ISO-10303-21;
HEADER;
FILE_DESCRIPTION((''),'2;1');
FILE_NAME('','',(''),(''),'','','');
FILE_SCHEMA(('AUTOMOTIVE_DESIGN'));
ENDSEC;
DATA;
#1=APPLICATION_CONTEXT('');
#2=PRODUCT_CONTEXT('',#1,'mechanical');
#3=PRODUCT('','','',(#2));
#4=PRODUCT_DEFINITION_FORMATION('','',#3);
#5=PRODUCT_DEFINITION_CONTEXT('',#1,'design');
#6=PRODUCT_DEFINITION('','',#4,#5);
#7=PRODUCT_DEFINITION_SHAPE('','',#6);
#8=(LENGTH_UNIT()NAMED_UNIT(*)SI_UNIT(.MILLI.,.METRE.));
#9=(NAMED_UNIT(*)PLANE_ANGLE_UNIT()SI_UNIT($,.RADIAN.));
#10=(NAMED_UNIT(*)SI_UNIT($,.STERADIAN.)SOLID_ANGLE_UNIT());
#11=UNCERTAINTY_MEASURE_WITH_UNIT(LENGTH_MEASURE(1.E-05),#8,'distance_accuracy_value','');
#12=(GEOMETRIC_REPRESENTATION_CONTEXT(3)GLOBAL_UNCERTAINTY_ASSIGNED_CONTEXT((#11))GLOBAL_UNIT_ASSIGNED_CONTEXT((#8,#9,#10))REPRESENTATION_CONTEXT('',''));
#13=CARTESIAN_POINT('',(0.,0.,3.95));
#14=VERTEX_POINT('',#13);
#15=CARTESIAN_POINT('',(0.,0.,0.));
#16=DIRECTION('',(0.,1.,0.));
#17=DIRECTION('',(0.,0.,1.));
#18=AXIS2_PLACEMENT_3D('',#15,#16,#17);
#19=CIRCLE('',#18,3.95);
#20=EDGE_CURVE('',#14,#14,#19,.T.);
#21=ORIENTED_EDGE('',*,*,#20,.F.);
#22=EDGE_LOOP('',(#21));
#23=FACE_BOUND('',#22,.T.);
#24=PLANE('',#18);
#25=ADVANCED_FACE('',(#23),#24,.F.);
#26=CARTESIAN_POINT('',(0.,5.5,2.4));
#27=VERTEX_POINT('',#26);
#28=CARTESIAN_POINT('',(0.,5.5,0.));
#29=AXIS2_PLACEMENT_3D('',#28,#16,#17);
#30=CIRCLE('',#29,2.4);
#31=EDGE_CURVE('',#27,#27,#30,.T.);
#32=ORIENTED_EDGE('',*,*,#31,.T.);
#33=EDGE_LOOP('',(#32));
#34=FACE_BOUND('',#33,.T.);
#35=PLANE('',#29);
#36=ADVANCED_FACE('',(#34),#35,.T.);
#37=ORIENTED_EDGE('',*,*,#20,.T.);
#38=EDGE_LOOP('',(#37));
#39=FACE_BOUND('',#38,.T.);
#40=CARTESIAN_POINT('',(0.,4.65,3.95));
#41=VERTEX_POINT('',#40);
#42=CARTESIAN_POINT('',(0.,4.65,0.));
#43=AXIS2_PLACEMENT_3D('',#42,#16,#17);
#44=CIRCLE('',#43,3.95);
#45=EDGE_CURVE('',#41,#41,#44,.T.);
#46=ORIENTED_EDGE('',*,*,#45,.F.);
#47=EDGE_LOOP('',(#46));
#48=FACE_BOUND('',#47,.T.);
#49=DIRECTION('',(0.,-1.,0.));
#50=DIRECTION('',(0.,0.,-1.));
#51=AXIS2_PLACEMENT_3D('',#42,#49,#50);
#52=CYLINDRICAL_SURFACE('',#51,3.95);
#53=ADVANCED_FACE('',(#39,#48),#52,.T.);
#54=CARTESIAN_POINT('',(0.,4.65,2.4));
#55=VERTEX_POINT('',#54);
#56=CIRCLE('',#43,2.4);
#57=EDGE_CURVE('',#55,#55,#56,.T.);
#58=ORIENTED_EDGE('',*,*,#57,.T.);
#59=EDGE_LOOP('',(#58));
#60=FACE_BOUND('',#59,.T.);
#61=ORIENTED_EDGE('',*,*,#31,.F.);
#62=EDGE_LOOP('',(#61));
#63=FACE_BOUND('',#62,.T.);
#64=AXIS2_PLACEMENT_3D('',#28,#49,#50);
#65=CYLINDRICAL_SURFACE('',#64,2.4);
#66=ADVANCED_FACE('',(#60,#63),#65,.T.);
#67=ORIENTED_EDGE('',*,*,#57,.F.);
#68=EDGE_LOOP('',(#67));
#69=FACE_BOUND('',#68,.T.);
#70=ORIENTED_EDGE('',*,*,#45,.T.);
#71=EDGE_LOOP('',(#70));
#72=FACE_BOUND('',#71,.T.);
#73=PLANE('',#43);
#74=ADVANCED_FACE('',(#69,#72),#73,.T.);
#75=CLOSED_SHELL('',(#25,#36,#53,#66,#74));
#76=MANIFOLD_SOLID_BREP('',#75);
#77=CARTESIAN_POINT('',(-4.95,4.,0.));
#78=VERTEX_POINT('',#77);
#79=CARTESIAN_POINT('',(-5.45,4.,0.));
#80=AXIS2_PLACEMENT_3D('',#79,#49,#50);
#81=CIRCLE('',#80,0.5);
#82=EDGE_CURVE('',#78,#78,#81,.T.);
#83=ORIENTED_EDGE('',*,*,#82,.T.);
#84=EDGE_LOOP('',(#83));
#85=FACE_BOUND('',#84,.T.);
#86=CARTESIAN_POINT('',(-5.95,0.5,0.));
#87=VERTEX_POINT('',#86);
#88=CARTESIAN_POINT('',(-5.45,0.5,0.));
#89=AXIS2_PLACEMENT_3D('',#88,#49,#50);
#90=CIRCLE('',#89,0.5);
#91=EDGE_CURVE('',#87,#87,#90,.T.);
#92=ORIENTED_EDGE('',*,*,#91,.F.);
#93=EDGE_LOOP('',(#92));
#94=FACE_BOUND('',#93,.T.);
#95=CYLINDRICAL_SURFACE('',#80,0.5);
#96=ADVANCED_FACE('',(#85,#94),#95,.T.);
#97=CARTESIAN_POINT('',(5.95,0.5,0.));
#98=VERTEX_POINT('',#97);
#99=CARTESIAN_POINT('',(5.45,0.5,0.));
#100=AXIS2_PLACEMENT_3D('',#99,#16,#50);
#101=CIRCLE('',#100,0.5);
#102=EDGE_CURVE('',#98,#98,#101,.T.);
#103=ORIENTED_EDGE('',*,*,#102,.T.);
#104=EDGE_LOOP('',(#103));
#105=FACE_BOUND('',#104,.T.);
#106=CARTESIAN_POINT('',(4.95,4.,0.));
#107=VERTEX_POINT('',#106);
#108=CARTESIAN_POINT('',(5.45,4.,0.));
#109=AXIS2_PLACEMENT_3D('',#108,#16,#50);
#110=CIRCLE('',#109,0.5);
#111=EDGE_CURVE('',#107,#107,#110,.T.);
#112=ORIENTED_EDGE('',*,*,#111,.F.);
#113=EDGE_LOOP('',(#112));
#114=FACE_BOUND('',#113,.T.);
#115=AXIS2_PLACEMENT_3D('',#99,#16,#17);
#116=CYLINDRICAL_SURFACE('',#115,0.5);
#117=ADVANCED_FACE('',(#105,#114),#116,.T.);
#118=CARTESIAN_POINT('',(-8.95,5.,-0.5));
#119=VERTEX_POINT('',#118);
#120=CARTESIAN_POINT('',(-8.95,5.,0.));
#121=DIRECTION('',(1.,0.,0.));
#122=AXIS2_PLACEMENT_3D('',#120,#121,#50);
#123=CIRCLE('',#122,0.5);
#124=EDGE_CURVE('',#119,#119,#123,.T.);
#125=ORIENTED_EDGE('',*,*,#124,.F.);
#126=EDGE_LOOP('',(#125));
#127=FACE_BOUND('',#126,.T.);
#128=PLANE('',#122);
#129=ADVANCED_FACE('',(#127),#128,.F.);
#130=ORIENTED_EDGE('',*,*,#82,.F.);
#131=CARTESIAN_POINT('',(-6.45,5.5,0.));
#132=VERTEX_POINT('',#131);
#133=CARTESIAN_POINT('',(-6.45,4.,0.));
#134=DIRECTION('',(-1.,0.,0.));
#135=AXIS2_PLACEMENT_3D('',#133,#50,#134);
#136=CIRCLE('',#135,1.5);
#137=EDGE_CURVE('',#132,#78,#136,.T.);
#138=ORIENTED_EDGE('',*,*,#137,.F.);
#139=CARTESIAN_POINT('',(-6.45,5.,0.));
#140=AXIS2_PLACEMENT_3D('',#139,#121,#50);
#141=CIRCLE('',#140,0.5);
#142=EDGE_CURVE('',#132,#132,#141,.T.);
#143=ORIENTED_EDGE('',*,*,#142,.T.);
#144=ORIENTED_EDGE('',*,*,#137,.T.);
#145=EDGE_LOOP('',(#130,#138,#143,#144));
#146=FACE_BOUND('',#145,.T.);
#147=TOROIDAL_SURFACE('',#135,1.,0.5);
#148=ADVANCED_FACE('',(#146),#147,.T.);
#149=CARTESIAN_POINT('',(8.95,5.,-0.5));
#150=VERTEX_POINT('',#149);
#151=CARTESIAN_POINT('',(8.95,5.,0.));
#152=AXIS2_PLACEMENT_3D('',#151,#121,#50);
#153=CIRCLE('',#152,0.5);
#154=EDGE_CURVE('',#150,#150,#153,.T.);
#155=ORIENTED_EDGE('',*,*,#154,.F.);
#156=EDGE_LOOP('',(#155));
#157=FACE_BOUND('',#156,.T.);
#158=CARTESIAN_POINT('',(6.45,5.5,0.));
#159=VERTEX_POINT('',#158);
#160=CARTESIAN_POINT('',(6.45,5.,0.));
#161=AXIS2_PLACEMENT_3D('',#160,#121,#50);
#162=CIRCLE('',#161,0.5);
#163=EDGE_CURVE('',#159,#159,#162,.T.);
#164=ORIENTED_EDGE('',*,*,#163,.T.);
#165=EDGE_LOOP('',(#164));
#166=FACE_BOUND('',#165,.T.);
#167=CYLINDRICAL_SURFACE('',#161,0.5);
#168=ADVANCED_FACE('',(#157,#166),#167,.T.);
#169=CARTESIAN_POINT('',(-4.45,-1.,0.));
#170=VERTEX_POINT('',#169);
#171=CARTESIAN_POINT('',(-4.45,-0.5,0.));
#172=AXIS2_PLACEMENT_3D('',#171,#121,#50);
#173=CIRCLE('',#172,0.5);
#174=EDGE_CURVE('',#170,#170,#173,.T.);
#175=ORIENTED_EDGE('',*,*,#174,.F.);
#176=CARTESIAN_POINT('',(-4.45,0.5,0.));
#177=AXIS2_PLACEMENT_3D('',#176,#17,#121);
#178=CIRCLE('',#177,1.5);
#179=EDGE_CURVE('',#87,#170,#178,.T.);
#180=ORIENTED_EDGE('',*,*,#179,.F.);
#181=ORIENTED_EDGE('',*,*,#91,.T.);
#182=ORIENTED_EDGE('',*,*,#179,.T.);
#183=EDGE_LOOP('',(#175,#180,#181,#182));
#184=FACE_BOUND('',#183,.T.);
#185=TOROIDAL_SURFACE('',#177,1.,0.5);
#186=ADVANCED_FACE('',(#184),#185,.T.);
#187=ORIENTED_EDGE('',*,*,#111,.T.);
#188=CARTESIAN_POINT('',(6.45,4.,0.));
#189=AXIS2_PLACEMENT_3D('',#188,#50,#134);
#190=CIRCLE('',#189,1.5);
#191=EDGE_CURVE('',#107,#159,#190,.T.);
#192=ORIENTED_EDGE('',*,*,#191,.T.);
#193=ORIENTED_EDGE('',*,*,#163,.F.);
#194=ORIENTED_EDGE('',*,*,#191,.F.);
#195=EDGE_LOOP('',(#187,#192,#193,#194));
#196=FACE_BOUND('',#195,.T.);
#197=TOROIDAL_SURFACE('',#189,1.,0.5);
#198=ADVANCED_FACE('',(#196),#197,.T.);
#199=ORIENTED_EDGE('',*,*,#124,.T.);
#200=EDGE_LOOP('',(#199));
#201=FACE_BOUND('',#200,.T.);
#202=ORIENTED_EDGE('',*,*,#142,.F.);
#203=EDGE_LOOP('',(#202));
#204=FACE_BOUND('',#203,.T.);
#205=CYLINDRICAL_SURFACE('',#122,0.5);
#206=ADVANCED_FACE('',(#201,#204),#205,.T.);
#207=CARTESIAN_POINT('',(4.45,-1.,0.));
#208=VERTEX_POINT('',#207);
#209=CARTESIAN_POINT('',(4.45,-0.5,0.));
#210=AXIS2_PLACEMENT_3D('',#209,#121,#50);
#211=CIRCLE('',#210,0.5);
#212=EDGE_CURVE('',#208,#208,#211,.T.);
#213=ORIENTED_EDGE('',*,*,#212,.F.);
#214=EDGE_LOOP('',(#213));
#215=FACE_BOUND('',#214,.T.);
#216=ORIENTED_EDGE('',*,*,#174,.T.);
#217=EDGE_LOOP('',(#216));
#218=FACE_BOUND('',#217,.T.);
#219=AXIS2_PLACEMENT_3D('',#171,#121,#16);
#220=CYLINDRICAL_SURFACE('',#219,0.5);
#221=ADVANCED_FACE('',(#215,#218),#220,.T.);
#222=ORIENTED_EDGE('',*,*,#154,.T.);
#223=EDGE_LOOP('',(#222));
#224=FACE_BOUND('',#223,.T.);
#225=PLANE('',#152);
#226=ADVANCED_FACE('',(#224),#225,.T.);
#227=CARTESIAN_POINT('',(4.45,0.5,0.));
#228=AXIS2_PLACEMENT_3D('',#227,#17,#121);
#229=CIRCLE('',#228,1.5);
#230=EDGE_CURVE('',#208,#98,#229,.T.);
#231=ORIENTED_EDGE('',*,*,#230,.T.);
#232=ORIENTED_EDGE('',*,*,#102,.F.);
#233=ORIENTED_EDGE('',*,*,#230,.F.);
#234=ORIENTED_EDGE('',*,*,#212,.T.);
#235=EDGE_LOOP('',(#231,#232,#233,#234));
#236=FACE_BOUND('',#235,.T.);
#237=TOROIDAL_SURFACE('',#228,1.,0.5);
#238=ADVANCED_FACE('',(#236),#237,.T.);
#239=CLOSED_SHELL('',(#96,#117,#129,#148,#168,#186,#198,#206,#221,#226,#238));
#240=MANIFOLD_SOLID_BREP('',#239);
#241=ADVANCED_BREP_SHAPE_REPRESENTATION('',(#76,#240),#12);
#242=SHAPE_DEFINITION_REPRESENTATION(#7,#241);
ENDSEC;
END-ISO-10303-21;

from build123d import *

# Parameters (mm, degrees)
SKETCH_1_R      = 3.95
SKETCH_1_R_2    = 2.4
EXTRUDE_1_DEPTH = 4.65
EXTRUDE_START   = 4.65
SKETCH_1_3_R    = 2.4
EXTRUDE_2_DEPTH = 0.85
SKETCH_3_R      = 0.5


with BuildPart() as part:
    # Эскиз1 → Бобышка-Вытянуть1 (new body)
    # profile 1 of 2: a face of its own
    with BuildSketch(Plane(origin=(0, 0, 0), x_dir=(1, 0, 0), z_dir=(0, 1, 0))):
        with Locations(Location((0, 0, 0), (0, 0, 270))):
            Circle(SKETCH_1_R)
        Circle(SKETCH_1_R_2, mode=Mode.SUBTRACT)
    # profile 2 of 2: a face of its own
    with BuildSketch(Plane(origin=(0, 0, 0), x_dir=(1, 0, 0), z_dir=(0, 1, 0))):
        Circle(SKETCH_1_R_2)
    extrude(amount=EXTRUDE_1_DEPTH)

    # Эскиз1<3> → Бобышка-Вытянуть2 (add)
    with BuildSketch(Plane(origin=(0, 0, 0), x_dir=(1, 0, 0), z_dir=(0, 1, 0)).offset(EXTRUDE_START)):
        with Locations(Location((0, 0, 0), (0, 0, 270))):
            Circle(SKETCH_1_3_R)
    extrude(amount=EXTRUDE_2_DEPTH)


with BuildPart() as body_2:
    # По траектории3: sweep along a path in Эскиз2
    with BuildLine(Plane.XY) as sweep_3_path:
        Line((-8.95, 5), (-6.45, 5))
        ThreePointArc((-6.45, 5), (-5.742893219, 4.707106781), (-5.45, 4))
        Line((-5.45, 4), (-5.45, 0.5))
        ThreePointArc((-5.45, 0.5), (-5.157106781, -0.207106781), (-4.45, -0.5))
        Line((-4.45, -0.5), (4.45, -0.5))
        ThreePointArc((4.45, -0.5), (5.157106781, -0.207106781), (5.45, 0.5))
        Line((5.45, 0.5), (5.45, 4))
        ThreePointArc((5.45, 4), (5.742893219, 4.707106781), (6.45, 5))
        Line((6.45, 5), (8.95, 5))
    # Эскиз3 → По траектории3 (sweep)
    with BuildSketch(Plane(origin=(-8.95, 0, 0), x_dir=(0, 0, -1), z_dir=(1, 0, 0))):
        with Locations((0, 5)):
            Circle(SKETCH_3_R)
    sweep(path=sweep_3_path.line)


solid = Compound([part.part, body_2.part])
